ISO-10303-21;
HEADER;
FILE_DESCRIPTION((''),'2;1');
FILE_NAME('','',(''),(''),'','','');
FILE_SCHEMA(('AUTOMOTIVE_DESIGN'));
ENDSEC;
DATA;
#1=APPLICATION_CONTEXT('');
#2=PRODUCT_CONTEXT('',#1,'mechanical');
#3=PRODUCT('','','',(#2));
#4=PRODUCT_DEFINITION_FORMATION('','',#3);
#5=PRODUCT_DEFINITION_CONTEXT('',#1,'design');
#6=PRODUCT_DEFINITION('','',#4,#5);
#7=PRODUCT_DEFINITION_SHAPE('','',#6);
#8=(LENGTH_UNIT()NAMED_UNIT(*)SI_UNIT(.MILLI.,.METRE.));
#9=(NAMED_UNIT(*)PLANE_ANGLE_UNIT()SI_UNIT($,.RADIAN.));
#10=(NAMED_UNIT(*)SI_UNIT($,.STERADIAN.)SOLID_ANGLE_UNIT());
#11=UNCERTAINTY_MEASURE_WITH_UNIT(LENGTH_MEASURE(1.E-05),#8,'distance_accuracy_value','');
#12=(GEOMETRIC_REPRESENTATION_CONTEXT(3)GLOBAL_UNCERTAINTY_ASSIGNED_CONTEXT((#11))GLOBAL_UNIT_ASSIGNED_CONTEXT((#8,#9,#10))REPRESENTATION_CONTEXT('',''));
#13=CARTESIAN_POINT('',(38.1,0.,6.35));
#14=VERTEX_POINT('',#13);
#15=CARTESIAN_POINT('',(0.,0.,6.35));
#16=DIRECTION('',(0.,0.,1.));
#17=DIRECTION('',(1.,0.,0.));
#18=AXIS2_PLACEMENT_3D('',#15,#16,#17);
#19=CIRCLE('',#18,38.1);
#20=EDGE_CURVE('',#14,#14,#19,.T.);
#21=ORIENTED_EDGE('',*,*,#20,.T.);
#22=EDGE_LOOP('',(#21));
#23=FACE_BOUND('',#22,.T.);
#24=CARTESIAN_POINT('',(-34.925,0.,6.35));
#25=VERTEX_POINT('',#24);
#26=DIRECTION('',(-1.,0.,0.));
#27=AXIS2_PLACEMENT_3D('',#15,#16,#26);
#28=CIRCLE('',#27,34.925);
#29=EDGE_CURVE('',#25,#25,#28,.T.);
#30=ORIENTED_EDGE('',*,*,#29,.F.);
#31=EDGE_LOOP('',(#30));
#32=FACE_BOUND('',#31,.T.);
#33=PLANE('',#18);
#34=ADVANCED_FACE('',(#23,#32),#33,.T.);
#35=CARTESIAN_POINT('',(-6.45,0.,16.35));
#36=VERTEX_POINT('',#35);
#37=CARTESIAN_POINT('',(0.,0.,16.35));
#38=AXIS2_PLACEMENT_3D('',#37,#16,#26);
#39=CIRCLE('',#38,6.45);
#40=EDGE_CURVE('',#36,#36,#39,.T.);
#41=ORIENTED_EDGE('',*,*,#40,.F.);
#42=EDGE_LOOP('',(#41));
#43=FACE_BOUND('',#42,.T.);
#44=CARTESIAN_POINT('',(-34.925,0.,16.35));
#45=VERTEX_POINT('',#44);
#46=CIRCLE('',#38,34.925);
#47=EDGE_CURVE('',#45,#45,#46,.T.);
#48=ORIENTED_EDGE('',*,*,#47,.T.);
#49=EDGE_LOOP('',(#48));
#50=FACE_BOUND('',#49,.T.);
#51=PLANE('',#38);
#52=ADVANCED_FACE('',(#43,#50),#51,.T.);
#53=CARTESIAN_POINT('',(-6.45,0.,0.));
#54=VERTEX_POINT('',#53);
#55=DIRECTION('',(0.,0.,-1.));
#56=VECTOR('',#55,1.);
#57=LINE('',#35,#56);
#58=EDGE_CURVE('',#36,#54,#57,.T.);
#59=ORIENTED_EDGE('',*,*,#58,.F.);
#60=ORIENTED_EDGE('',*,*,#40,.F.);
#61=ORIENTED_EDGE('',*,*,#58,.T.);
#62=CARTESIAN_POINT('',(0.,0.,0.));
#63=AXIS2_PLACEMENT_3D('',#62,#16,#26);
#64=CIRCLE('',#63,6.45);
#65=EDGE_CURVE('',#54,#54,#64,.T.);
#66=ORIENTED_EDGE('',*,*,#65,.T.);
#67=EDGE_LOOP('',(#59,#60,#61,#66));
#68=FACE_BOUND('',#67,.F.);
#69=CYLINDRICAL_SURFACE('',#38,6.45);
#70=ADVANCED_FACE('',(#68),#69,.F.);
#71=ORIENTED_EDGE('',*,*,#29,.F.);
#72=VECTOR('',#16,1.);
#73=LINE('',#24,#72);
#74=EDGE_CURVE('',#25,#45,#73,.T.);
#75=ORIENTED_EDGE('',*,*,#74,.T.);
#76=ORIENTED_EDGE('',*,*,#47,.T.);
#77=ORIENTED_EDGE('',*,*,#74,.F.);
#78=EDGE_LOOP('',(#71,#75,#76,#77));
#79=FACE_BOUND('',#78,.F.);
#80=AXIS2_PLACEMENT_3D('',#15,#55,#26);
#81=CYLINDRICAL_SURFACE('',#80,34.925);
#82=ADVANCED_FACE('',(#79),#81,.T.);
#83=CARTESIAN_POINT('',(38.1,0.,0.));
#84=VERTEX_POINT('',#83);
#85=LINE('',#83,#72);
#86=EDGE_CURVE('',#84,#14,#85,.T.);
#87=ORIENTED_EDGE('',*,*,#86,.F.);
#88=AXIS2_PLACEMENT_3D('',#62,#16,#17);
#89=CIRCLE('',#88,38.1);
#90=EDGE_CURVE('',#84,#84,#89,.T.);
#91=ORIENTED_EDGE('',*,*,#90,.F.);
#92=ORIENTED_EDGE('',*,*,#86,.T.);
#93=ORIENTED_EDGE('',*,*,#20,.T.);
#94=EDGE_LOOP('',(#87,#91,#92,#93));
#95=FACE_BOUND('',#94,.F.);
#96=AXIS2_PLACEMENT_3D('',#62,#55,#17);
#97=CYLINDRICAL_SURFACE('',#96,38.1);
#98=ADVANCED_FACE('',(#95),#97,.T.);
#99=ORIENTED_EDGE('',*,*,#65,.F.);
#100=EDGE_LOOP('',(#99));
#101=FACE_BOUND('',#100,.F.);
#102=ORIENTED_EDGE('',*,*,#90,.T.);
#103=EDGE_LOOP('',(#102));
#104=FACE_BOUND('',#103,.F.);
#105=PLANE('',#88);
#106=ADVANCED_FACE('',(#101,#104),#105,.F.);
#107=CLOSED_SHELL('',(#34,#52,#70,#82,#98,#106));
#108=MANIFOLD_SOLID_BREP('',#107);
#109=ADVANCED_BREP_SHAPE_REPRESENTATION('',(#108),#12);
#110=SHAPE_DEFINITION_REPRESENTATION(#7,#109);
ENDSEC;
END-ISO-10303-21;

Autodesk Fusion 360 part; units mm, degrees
sketch "Roller_End_Cap_Outter" plane through (0, 0, 0) normal (0, 0, 1) x (1, 0, 0)
  circle A0 centre (0, 0) radius 38.1
  dimension "d2" = 76.2
extrude "Extrude1" add sketch "Roller_End_Cap_Outter" along normal blind 6.35
sketch "Roller_End_Cap_Inner" plane through (0, 0, 6.35) normal (0, 0, 1) x (-1, 0, 0)
  circle A0 centre (0, 0) radius 38.1
  circle A1 centre (0, 0) radius 34.925
  dimension "d7" = 69.85
extrude "Extrude3" add sketch "Roller_End_Cap_Inner" along normal blind 10 contours A1
sketch "Shaft Hole" plane through (0, 0, 16.35) normal (0, 0, 1) x (-1, 0, 0)
  circle A0 centre (0, 0) radius 34.925
  circle A1 centre (0, 0) radius 6.45
  dimension "d10" = 12.9
extrude "Extrude4" cut sketch "Shaft Hole" against normal through all contours A1
